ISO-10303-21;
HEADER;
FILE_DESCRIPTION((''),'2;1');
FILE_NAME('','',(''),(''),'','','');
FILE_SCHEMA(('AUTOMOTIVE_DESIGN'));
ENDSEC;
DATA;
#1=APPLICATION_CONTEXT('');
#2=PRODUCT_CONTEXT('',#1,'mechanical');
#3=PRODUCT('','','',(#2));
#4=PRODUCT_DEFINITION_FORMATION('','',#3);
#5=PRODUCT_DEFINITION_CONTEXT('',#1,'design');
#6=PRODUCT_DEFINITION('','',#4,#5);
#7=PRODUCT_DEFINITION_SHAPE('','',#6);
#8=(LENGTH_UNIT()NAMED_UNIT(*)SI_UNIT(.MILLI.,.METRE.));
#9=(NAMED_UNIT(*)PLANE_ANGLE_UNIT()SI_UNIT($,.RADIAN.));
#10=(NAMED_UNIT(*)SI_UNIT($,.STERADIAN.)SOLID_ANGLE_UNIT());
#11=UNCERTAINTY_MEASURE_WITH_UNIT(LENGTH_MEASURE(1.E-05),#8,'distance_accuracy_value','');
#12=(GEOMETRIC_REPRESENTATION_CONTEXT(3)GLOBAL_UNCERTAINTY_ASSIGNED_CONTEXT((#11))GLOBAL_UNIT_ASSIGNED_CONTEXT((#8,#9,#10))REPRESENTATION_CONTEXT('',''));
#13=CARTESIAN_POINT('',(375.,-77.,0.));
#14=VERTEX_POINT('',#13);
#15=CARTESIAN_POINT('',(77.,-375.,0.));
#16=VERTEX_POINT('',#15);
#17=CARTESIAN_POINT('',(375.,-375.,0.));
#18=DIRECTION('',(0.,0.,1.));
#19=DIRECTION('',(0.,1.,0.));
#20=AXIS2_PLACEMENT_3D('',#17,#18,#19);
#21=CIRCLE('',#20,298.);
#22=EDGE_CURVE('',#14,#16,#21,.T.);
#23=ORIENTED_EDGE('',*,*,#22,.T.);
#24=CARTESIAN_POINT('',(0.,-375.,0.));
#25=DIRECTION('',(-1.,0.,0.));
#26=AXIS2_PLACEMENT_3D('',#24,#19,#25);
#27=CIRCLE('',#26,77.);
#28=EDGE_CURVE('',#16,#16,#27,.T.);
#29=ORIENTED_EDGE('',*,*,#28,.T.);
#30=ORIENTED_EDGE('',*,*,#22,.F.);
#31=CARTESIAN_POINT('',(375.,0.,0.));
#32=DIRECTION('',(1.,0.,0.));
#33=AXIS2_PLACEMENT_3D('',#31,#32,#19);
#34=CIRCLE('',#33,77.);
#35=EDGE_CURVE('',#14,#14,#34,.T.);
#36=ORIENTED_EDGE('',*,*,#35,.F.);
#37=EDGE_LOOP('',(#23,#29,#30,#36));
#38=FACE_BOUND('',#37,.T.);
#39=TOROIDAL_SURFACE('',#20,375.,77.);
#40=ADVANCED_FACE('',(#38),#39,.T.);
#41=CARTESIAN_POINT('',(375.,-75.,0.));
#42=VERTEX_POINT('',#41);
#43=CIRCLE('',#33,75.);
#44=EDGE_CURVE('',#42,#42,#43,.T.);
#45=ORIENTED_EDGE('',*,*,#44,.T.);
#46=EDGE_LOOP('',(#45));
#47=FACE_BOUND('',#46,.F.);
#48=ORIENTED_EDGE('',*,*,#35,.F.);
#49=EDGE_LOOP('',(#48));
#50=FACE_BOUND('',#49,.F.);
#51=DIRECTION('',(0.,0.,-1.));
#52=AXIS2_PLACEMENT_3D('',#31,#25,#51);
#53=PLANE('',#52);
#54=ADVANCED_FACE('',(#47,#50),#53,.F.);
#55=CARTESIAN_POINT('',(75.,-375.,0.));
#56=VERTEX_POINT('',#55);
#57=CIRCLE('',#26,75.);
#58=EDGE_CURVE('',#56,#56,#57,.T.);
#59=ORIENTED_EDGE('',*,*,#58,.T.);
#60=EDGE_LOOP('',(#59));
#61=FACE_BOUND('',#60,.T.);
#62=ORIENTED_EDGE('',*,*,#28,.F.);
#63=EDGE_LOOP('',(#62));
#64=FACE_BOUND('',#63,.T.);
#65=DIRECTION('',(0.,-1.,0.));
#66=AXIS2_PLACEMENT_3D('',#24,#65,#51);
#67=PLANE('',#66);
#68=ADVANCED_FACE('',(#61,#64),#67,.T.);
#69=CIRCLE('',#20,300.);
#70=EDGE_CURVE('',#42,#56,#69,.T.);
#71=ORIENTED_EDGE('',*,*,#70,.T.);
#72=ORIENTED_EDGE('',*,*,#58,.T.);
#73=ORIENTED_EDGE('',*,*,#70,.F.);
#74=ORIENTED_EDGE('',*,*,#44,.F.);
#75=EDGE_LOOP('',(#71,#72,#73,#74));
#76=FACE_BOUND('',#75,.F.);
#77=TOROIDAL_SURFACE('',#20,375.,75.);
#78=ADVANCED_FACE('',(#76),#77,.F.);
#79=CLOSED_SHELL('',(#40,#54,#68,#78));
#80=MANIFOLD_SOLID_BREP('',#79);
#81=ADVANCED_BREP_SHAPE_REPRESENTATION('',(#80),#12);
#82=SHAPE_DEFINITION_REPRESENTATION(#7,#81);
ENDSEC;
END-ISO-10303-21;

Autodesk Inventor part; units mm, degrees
ref_plane "YZ Plane" through (0, 0, 0) normal (1, 0, 0) x (0, 1, 0)
ref_plane "XZ Plane" through (0, 0, 0) normal (0, 1, 0) x (-1, 0, 0)
sketch "Szkic6" plane through (0, 0, 0) normal (0, 0, 1) x (1, 0, 0)
  line L0 (-29.6067, 0) -> (35.2678, 0) construction
  line L1 (0, 42.3419) -> (0, -58.3726) construction
  arc A0 (375, 0) -> (0, -375) centre (375, -375) ccw
  line L2 (0, -375) -> (375, -375) construction
  line L3 (375, -375) -> (375, -309.4669) construction
  line L4 (375, 0) -> (375, 0)
  line L5 (0, -375) -> (0, -375)
  point P0 (0, 0)
  dimension "d24" = 375
  dimension "d31" = 90
  dimension "d36" = 0
  dimension "d37" = 0
ref_plane "Płaszczyzna konstrukcyjna2" through (0, -375, 0) normal (0, -1, 0) x (1, 0, 0)
sketch "Szkic8" plane through (0, -375, 0) normal (0, -1, 0) x (1, 0, 0)
  circle A0 centre (0, 0) radius 77
  circle A1 centre (0, 0) radius 75
  dimension "d32" = 154
  dimension "d33" = 2
sweep "Przeciągnięcie2" add profiles "Szkic8" path "Szkic6"
equation "\"d32\" = OD"
equation "\"d33\" = THK"
equation "\"d24\" = R"
equation "\"d31\" = KAT"
equation "\"SzerokośćGięciaPodcięcia\" = Grubość"
equation "\"RozmiarPodcięciaNarożnika\" = 4 * Grubość"
equation "\"PromieńPrzejścia\" = PromieńGięcia"
equation "\"Rozmiar_promienia_Jacobiego\" = PromieńGięcia"
equation "\"Wielk_odstępu\" = Grubość"
equation "\"d2\" = PromieńGięcia"
equation "\"d23\" = PromieńGięcia"
equation "\"R\" = 375"
equation "\"OD\" = 154"
equation "\"THK\" = 2"
equation "\"KAT\" = 90deg"
equation "\"PROSTKA\" = 0"
equation "\"Grubość\" = 1.5"
equation "\"PromieńGięcia\" = 3"
properties part number "Kolano 90° ø154x2 R375" material "304L"
